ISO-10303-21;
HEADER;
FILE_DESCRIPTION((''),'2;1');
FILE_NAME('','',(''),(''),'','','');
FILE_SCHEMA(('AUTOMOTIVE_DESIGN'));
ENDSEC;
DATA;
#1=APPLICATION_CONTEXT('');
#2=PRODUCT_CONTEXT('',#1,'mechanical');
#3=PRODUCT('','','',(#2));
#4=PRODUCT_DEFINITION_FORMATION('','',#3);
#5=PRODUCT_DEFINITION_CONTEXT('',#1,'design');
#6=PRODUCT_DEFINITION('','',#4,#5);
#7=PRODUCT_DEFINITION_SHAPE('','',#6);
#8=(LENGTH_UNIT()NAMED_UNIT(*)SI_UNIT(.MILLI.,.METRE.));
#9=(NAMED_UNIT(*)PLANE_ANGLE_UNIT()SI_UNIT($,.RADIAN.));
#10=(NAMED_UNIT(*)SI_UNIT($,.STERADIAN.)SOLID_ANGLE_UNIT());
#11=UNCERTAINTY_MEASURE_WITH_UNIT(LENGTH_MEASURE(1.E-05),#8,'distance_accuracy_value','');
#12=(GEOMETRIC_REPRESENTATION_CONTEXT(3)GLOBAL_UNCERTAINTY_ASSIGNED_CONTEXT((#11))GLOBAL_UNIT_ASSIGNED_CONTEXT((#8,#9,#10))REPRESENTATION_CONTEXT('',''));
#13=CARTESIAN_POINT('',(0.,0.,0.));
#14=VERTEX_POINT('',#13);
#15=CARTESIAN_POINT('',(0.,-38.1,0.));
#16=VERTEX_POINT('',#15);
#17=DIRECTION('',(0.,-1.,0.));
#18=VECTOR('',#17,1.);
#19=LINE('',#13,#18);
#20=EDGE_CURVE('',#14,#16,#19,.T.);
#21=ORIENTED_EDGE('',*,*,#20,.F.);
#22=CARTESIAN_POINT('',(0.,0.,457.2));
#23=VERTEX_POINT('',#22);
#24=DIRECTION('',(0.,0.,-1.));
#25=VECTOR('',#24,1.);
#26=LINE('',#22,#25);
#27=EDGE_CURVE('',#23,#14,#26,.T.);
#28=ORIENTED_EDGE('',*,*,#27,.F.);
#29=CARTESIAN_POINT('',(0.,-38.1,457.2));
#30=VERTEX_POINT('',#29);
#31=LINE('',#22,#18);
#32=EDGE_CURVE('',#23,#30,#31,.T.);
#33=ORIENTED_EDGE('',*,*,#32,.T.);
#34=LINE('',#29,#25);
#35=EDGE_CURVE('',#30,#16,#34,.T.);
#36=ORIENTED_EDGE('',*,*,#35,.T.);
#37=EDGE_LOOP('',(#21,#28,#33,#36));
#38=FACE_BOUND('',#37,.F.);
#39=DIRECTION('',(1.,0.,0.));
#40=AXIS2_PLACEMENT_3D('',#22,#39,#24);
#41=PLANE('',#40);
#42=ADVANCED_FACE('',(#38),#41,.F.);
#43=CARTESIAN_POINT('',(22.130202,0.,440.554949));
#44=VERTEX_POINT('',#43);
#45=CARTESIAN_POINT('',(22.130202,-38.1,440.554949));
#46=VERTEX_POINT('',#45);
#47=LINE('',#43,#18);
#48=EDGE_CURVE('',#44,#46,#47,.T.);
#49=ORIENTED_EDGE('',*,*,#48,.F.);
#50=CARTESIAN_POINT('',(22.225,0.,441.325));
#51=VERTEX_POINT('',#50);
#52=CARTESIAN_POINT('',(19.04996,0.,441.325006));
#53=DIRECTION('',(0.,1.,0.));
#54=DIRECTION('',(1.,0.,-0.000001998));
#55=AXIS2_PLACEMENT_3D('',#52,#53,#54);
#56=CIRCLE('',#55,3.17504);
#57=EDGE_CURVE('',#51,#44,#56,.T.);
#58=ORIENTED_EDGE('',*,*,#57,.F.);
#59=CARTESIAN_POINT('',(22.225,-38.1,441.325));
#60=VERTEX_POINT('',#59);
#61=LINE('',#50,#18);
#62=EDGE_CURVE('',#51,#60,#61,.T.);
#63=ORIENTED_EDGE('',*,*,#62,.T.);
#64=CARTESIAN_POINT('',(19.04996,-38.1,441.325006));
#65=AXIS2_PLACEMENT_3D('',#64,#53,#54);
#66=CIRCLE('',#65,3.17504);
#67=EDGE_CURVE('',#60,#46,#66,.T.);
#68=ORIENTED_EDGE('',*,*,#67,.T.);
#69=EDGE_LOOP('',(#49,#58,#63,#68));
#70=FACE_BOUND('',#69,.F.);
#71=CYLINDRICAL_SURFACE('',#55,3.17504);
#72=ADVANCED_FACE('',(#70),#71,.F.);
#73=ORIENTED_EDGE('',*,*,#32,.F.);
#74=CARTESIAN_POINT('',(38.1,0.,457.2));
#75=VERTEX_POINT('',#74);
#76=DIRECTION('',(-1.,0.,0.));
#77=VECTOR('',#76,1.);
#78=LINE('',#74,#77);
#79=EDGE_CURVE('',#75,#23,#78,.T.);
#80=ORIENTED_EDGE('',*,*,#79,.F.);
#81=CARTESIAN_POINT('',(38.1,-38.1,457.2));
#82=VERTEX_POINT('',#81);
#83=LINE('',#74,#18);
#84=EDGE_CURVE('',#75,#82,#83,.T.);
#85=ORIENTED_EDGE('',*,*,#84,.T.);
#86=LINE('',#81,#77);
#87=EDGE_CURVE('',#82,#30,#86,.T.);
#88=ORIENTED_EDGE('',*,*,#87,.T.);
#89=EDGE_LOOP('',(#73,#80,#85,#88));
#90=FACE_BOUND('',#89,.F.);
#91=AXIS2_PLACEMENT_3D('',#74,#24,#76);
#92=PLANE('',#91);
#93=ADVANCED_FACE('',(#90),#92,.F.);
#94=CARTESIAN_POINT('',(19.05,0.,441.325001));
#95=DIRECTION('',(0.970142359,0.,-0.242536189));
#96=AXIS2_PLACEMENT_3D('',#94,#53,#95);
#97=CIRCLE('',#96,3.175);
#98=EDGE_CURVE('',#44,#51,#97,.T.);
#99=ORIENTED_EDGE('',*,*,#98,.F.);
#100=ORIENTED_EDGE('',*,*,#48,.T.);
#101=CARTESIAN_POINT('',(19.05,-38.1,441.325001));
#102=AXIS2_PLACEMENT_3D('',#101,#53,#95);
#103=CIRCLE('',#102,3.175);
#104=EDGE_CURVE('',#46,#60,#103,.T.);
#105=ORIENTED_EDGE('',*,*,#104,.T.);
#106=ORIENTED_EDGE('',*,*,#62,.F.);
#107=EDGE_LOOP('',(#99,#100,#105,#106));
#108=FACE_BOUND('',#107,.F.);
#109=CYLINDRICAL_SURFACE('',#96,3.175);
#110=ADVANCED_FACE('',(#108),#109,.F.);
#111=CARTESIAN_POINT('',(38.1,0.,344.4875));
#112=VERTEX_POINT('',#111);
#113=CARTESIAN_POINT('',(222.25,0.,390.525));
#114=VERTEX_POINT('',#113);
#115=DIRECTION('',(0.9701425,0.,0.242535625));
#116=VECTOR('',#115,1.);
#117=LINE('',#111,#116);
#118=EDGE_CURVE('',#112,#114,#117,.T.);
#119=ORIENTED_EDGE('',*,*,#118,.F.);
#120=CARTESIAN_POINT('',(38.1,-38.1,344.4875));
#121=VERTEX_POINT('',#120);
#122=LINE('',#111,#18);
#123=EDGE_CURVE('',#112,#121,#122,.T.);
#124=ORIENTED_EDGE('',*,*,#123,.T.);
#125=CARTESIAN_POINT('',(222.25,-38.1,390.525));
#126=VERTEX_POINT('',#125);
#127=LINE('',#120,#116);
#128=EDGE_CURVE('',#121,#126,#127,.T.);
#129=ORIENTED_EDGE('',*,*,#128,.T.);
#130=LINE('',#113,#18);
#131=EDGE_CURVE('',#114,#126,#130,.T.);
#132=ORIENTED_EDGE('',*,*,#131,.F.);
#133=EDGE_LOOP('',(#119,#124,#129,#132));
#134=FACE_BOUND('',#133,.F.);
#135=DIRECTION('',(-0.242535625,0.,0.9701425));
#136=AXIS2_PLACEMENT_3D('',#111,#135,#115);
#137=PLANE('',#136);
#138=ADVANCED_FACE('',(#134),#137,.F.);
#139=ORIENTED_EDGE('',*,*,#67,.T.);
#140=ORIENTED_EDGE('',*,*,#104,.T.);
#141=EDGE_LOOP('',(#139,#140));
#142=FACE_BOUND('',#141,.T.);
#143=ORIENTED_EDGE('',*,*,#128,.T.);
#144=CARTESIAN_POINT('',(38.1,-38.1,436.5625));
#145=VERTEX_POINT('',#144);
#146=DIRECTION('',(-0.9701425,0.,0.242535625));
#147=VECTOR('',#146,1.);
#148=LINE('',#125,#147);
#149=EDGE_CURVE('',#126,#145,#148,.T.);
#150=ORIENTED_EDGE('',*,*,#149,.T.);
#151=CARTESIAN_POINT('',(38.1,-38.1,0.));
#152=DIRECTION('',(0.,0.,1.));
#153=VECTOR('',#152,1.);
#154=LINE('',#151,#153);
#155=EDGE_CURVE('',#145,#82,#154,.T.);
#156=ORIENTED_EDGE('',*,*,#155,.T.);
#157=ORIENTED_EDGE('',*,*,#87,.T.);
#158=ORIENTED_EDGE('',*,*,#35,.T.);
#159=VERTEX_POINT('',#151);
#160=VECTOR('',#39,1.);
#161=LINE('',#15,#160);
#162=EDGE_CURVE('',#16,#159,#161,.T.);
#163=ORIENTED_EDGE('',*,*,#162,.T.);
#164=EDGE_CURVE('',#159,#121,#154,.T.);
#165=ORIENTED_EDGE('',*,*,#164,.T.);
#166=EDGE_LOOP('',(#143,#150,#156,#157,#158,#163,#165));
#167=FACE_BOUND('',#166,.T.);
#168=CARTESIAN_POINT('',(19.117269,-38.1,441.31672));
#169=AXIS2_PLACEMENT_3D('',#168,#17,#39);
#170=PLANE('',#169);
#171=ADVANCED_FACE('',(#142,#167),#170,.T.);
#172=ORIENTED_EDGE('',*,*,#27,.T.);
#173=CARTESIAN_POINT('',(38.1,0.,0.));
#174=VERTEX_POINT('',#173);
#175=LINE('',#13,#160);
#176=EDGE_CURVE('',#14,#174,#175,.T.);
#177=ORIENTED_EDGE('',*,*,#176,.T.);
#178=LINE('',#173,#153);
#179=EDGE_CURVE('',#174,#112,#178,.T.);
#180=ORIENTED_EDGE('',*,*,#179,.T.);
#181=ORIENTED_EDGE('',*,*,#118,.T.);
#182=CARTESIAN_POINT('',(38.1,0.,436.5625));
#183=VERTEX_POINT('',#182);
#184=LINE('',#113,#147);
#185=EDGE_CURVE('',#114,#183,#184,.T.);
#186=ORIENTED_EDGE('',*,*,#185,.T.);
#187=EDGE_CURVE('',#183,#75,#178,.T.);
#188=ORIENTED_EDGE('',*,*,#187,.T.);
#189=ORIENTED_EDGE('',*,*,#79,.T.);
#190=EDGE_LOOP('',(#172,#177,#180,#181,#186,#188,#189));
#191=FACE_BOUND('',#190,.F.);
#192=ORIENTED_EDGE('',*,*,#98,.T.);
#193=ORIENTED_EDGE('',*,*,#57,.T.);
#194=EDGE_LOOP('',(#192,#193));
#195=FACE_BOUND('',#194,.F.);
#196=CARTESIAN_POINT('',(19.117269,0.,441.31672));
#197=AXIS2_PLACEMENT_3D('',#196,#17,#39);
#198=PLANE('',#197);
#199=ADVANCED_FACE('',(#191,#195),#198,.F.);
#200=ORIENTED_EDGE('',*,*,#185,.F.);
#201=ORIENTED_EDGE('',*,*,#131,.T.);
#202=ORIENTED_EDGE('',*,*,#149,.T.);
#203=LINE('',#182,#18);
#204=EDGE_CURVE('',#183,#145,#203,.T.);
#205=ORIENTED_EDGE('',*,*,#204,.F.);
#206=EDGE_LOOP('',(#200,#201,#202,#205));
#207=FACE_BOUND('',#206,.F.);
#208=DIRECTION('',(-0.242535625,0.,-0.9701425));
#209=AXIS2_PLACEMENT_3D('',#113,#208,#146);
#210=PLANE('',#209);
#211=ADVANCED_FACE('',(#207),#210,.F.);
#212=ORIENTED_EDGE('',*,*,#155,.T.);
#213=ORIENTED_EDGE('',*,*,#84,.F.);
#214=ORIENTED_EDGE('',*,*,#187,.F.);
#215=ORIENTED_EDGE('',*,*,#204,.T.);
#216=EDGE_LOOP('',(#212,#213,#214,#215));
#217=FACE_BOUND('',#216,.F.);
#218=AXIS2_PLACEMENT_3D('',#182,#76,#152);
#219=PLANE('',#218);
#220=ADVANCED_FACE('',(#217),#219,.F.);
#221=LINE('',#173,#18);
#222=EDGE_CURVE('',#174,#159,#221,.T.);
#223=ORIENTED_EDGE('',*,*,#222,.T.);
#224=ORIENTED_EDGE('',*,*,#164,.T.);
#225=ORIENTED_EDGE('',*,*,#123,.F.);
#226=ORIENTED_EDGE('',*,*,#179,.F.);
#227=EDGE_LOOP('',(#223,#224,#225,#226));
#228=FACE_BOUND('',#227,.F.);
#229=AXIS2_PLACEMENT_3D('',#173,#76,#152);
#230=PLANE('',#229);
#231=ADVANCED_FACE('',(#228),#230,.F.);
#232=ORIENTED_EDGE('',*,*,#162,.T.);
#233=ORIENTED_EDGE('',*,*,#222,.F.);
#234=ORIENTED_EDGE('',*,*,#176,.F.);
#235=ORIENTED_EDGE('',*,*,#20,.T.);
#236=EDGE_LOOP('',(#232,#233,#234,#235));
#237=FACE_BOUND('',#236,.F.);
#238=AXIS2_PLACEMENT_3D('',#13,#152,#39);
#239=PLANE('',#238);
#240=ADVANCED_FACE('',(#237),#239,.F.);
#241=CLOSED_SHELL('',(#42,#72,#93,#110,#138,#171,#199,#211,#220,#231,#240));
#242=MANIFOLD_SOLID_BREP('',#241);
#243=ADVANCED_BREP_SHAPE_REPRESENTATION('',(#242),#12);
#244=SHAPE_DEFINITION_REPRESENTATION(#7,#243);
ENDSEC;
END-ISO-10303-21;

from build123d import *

# Parameters (mm, degrees)
F1_DEPTH = 38.1


with BuildPart() as f1:
    # F0 (on Front) → F1 (new body)
    with BuildSketch(Plane.XZ):
        with BuildLine():
            ThreePointArc((22.225, 441.325), (15.898789, 441.712932), (22.130202, 440.554949))
            ThreePointArc((22.130202, 440.554949), (22.201211, 440.937068), (22.225, 441.325))
        make_face()
        Polygon((0, 457.2), (0, 0), (38.1, 0), (38.1, 344.4875), (38.1, 436.5625), (38.1, 457.2), align=None)
        with BuildLine():
            ThreePointArc((22.225, 441.325), (22.201211, 440.937068), (22.130202, 440.554949))
            ThreePointArc((22.130202, 440.554949), (15.898789, 441.712932), (22.225, 441.325))
        make_face(mode=Mode.SUBTRACT)
        Polygon((38.1, 436.5625), (38.1, 344.4875), (222.25, 390.525), align=None)
    extrude(amount=F1_DEPTH)


solid = f1.part
